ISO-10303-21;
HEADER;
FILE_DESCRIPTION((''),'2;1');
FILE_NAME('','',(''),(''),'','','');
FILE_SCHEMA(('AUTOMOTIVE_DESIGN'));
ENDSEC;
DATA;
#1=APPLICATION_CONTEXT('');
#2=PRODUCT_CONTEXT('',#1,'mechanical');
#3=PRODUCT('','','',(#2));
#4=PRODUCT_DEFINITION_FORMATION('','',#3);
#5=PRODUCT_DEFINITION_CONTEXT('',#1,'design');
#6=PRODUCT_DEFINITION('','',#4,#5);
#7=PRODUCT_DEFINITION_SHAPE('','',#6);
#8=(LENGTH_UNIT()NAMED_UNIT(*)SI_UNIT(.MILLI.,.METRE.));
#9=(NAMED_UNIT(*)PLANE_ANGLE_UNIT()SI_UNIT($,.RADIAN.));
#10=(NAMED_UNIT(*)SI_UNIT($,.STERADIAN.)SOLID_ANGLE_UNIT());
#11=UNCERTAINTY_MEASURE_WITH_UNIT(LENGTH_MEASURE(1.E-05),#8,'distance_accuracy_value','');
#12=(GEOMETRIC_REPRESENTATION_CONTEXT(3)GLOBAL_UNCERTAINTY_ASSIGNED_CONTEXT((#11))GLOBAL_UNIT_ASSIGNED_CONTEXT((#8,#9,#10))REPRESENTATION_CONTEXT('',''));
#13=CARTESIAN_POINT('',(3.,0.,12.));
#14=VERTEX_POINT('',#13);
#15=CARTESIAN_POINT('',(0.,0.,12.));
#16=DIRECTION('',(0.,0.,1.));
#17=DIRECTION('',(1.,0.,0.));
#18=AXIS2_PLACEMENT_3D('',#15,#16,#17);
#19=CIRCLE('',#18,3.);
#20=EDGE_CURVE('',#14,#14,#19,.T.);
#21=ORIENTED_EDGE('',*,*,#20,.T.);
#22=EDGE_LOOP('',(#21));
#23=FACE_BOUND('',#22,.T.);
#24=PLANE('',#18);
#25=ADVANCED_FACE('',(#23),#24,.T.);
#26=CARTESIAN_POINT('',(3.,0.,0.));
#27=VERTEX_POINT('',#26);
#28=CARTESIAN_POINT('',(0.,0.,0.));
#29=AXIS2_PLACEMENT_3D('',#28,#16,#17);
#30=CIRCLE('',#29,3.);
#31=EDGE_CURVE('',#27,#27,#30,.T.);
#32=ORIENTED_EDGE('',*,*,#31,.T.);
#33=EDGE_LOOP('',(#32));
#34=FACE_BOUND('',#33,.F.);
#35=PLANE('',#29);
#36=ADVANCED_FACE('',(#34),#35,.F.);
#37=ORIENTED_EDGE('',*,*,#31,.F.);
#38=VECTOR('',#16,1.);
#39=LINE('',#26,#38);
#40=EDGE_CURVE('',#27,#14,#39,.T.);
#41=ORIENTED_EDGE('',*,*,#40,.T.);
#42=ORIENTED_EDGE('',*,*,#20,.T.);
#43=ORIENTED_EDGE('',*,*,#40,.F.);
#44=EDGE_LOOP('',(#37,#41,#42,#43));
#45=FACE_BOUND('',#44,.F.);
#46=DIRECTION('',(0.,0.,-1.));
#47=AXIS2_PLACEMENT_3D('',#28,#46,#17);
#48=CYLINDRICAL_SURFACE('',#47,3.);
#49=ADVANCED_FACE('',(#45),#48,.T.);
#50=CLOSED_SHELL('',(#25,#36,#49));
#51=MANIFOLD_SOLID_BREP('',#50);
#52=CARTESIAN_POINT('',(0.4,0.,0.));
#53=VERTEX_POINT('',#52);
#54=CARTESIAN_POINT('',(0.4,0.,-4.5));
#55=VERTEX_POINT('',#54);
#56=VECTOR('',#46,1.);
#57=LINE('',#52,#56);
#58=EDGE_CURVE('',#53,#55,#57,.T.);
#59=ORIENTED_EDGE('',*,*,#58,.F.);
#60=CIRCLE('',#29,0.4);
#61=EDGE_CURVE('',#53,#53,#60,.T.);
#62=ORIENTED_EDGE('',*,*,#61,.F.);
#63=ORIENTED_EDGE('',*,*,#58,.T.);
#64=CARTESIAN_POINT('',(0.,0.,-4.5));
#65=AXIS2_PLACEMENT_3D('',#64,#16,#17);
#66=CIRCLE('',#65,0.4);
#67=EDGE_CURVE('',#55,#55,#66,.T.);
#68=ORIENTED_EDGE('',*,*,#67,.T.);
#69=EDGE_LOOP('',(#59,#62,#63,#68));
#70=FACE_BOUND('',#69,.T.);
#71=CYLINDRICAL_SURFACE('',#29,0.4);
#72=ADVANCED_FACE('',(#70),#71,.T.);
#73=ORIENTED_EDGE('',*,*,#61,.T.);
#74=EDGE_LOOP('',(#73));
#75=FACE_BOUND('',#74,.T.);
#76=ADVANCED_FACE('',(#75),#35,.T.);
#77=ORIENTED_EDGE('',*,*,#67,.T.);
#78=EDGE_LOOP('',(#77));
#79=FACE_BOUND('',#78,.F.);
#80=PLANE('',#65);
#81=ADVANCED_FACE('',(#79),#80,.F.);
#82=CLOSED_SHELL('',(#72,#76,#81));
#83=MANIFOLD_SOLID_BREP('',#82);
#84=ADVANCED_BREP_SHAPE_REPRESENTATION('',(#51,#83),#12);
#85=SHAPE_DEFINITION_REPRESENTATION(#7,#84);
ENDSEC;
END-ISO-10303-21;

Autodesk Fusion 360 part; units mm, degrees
sketch "スケッチ1" plane through (0, 0, 0) normal (0, 0, 1) x (1, 0, 0)
  circle A0 centre (0, 0) radius 3
  circle A1 centre (0, 0) radius 0.4
  dimension "d1" = 6
  dimension "d7" = 0.8
extrude "押し出し1" add sketch "スケッチ1" along normal blind 12 contours A0 | A1 makes body 1
extrude "押し出し1'" add sketch "スケッチ1" against normal blind 4.5 separate body contours A1 makes body 2 in component "Component"
component "Component" placed x (1, 0, 0) y (0, 1, 0) z (0, 0, 1) at (0, 0, 0)
